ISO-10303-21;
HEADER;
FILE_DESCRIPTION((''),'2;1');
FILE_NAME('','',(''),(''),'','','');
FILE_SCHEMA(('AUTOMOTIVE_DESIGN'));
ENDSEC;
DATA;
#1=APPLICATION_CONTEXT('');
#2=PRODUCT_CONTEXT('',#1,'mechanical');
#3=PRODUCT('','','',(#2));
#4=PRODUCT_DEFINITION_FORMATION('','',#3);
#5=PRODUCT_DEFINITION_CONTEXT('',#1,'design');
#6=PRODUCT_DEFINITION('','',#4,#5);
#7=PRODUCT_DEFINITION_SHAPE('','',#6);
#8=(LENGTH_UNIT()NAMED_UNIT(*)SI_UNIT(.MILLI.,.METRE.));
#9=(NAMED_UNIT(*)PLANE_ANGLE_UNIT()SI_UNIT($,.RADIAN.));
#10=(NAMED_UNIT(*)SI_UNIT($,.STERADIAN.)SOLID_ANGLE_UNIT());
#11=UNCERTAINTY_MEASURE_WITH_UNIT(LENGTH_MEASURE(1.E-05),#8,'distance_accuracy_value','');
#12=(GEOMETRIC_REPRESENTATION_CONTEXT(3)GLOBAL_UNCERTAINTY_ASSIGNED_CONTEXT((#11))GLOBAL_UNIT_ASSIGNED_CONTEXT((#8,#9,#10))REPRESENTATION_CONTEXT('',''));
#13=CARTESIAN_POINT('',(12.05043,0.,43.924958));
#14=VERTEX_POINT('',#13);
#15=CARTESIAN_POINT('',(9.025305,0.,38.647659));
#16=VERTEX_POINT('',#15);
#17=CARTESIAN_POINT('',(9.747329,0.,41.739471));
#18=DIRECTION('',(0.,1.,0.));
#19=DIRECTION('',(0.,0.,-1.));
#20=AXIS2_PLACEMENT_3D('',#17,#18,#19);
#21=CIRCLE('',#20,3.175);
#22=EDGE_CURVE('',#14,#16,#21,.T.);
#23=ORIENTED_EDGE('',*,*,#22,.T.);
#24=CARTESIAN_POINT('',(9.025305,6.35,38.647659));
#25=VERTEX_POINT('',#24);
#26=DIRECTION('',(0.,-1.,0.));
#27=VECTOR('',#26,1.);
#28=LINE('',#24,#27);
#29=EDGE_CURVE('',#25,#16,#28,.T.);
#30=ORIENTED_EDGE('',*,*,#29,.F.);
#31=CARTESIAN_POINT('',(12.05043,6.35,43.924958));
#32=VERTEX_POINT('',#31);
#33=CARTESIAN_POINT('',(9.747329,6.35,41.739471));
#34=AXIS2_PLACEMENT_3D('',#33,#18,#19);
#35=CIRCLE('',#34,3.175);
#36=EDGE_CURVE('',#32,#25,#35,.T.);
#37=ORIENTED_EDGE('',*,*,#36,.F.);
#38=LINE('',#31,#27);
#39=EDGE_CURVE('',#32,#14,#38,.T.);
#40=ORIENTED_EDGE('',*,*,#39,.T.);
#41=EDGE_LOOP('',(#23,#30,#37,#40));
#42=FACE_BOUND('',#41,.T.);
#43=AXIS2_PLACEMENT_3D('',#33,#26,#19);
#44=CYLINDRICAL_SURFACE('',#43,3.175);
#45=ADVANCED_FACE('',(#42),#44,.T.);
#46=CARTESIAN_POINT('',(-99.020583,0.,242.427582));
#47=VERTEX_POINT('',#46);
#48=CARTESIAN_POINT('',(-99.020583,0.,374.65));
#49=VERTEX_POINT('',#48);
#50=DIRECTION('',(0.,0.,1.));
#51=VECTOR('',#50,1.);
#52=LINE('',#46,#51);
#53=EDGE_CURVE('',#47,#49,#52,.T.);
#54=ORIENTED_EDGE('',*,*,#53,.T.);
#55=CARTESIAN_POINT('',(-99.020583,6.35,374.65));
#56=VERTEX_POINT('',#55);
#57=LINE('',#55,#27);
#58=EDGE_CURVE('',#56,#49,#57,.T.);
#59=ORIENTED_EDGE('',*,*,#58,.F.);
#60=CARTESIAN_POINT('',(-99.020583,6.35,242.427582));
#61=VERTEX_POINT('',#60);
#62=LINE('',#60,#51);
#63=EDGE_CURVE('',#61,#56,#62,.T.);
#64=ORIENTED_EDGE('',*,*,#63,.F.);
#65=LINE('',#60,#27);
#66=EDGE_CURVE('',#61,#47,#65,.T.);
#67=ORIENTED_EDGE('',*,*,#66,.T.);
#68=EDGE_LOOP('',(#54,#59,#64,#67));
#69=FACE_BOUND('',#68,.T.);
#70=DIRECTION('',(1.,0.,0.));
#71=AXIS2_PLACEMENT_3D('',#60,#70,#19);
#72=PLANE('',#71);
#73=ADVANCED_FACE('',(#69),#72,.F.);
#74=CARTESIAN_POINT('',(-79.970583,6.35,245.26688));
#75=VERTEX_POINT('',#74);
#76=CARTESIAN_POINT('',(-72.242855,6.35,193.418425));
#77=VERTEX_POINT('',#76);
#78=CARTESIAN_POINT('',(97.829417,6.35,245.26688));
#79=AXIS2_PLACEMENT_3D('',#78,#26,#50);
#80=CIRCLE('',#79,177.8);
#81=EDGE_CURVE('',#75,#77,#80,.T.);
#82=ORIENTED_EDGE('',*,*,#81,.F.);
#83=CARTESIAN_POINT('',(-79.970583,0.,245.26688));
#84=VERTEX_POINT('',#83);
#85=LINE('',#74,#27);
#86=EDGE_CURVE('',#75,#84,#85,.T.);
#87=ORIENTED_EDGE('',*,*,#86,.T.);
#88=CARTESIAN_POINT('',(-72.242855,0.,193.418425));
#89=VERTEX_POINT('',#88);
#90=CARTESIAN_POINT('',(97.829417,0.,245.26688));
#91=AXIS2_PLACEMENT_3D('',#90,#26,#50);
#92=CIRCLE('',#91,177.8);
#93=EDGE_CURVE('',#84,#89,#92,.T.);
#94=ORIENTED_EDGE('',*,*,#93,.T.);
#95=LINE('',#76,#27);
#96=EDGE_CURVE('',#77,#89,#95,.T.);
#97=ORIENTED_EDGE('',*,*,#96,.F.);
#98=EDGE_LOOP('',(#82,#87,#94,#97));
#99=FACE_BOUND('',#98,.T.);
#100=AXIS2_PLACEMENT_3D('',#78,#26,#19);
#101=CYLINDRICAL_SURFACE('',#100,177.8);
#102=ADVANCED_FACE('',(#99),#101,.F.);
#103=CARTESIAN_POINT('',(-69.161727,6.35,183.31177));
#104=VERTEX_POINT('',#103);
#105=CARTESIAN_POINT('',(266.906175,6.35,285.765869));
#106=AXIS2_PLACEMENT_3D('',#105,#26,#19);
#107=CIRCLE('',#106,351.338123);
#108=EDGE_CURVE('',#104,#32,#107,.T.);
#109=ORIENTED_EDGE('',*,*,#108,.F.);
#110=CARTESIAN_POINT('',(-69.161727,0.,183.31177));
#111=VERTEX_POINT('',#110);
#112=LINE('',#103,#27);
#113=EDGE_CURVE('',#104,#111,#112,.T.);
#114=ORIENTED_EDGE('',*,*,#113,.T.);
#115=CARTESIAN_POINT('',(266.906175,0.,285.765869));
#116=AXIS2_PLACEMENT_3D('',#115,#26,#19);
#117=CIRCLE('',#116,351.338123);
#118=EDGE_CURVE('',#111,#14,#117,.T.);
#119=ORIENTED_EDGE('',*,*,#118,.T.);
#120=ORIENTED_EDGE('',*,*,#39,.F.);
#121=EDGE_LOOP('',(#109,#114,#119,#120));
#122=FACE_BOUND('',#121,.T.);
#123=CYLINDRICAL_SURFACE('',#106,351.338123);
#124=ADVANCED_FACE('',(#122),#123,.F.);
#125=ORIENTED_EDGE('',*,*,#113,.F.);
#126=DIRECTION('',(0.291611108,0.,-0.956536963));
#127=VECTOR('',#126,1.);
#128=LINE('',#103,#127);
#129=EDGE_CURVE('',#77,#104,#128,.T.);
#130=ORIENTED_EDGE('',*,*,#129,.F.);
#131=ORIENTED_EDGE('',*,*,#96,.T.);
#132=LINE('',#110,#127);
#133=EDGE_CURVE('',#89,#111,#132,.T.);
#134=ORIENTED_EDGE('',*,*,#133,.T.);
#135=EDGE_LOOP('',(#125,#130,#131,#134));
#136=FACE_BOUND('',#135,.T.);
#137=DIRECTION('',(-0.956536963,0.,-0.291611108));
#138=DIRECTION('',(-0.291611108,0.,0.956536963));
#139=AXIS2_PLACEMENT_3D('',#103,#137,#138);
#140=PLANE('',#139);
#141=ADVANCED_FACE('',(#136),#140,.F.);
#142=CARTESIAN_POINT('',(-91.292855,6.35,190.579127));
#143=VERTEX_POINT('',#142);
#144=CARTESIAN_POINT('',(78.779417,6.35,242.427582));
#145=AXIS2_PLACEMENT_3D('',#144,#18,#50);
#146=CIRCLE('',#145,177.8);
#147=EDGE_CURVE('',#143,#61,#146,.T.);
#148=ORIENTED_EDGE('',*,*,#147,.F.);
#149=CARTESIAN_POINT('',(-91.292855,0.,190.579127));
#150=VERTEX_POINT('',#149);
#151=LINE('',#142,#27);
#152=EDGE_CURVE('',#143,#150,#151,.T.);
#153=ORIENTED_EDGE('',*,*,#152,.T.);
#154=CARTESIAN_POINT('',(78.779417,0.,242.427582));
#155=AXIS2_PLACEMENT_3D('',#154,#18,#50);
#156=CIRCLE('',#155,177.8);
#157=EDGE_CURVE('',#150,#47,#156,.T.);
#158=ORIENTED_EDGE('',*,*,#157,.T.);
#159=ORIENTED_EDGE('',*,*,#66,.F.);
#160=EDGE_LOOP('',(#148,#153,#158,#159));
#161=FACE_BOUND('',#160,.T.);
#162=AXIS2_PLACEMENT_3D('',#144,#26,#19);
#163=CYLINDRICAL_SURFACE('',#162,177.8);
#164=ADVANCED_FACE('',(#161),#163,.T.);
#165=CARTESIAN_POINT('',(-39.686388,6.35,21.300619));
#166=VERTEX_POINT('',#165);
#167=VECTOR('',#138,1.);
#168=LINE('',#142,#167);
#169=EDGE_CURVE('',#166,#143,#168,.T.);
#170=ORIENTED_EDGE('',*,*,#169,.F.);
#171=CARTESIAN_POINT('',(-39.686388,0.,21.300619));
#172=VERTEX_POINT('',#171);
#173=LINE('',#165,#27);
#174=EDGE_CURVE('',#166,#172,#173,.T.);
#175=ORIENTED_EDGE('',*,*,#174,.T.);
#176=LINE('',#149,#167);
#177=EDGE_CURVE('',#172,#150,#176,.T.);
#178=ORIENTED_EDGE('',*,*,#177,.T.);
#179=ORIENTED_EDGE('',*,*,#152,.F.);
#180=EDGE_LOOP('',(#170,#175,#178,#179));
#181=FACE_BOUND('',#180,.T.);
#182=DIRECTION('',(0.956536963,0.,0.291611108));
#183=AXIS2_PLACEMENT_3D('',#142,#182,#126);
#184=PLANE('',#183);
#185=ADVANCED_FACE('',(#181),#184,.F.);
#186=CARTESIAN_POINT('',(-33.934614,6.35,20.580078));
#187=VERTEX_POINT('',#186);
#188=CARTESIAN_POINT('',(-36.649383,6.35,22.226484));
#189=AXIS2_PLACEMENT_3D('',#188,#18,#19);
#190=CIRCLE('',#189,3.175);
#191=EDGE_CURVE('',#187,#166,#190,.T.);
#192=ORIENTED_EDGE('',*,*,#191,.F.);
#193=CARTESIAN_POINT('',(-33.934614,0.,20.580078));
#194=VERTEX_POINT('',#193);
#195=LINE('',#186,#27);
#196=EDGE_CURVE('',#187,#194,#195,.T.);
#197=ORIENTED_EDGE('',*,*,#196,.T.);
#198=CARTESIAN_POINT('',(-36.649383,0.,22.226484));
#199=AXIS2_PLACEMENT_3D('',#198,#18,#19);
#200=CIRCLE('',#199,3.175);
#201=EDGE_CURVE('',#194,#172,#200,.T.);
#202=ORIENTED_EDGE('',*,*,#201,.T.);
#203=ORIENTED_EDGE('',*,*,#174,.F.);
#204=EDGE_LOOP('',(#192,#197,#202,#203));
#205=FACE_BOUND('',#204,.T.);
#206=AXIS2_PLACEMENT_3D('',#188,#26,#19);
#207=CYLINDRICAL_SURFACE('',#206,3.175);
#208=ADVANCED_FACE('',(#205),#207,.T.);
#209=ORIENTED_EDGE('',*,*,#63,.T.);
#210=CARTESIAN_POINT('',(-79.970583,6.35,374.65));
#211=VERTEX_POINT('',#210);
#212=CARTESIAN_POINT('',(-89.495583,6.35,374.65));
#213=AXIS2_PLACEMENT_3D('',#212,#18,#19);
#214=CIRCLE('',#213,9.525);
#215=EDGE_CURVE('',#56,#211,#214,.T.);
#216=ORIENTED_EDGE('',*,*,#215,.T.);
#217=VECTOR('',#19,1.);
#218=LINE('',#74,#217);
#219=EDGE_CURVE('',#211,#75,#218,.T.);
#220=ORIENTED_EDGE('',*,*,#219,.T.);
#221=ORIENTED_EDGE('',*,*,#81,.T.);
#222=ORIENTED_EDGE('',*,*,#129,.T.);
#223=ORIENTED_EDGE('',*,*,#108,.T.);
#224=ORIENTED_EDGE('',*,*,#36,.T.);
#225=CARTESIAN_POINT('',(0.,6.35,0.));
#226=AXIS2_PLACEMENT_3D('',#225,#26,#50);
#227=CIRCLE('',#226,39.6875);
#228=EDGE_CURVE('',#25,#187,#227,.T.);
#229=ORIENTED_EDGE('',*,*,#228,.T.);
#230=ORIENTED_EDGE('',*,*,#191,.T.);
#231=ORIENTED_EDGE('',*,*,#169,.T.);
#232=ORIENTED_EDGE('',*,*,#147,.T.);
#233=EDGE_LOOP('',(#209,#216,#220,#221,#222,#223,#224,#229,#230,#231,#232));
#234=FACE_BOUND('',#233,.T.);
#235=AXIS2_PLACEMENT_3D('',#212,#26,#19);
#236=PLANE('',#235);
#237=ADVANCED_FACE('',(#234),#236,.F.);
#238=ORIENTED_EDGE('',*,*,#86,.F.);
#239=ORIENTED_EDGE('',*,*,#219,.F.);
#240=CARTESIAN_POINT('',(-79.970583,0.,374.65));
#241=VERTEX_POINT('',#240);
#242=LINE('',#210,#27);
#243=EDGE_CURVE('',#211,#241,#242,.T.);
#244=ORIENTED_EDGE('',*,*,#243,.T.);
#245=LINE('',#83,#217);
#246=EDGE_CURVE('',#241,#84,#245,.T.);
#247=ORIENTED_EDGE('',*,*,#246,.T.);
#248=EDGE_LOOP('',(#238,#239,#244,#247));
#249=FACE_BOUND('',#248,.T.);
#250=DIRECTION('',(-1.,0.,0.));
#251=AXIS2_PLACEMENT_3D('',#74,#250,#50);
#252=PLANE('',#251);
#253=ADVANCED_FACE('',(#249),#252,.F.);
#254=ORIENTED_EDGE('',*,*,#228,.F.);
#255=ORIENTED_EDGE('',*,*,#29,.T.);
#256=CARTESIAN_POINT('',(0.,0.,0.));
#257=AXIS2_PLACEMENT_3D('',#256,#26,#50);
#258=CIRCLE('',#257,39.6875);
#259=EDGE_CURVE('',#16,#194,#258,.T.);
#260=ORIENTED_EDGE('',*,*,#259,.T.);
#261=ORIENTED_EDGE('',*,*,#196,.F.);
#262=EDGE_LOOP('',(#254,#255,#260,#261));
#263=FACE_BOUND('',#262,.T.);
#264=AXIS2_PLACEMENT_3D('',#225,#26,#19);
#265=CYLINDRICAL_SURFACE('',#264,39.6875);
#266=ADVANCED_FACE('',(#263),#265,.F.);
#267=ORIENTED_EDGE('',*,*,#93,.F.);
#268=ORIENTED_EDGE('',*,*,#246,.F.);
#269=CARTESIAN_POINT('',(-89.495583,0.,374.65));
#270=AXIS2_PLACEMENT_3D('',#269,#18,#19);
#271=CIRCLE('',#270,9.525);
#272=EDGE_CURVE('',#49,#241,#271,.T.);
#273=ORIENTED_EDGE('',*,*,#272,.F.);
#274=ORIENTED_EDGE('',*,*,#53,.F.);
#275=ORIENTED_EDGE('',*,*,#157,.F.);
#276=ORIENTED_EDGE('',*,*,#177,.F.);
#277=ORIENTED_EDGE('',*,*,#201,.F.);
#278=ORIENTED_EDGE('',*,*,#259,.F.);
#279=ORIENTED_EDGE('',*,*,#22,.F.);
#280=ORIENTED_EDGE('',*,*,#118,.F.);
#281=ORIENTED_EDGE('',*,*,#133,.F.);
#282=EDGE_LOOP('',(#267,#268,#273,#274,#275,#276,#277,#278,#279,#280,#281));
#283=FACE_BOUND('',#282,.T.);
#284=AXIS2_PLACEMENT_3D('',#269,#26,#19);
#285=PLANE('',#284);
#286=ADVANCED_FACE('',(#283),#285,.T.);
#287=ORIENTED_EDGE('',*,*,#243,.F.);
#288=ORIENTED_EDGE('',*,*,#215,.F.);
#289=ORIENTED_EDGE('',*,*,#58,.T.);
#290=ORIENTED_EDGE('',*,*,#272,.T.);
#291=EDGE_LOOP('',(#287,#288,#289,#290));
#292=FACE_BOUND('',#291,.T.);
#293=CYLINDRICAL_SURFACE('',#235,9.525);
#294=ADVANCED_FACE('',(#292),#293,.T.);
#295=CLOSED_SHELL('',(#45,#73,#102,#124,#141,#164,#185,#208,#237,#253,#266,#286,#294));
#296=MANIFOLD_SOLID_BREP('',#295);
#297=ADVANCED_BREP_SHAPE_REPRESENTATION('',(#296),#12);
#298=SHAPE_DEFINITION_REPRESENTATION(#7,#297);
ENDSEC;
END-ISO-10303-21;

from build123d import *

# Parameters (mm, degrees)
BOSS_EXTRUDE1_DEPTH = 6.35


with BuildPart() as part:
    # Sketch1 → Boss-Extrude1 (new body)
    with BuildSketch(Plane(origin=(0, 0, 0), x_dir=(1, 0, 0), z_dir=(0, 1, 0))):
        with BuildLine():
            Line((-99.020583087, -242.427582229), (-99.020583087, -374.65))
            ThreePointArc((-99.020583087, -374.65), (-89.495583087, -384.175), (-79.970583087, -374.65))
            Line((-79.970583087, -374.65), (-79.970583087, -245.266880288))
            ThreePointArc((-79.970583087, -245.266880288), (-78.028039526, -219.05629054), (-72.242855135, -193.418425341))
            Line((-72.242855135, -193.418425341), (-69.161727013, -183.311770075))
            ThreePointArc((-69.161727013, -183.311770075), (-36.664014716, -108.894116093), (12.050429612, -43.924958467))
            ThreePointArc((12.050429612, -43.924958467), (12.501856954, -40.160483954), (9.02530478, -38.647658789))
            ThreePointArc((9.02530478, -38.647658789), (-15.385960803, -36.583737732), (-33.934614128, -20.580078236))
            ThreePointArc((-33.934614128, -20.580078236), (-37.044039814, -19.076108136), (-39.686388117, -21.300619228))
            Line((-39.686388117, -21.300619228), (-91.292855135, -190.579127282))
            ThreePointArc((-91.292855135, -190.579127282), (-97.078039526, -216.216992482), (-99.020583087, -242.427582229))
        make_face()
    extrude(amount=BOSS_EXTRUDE1_DEPTH)


solid = part.part
